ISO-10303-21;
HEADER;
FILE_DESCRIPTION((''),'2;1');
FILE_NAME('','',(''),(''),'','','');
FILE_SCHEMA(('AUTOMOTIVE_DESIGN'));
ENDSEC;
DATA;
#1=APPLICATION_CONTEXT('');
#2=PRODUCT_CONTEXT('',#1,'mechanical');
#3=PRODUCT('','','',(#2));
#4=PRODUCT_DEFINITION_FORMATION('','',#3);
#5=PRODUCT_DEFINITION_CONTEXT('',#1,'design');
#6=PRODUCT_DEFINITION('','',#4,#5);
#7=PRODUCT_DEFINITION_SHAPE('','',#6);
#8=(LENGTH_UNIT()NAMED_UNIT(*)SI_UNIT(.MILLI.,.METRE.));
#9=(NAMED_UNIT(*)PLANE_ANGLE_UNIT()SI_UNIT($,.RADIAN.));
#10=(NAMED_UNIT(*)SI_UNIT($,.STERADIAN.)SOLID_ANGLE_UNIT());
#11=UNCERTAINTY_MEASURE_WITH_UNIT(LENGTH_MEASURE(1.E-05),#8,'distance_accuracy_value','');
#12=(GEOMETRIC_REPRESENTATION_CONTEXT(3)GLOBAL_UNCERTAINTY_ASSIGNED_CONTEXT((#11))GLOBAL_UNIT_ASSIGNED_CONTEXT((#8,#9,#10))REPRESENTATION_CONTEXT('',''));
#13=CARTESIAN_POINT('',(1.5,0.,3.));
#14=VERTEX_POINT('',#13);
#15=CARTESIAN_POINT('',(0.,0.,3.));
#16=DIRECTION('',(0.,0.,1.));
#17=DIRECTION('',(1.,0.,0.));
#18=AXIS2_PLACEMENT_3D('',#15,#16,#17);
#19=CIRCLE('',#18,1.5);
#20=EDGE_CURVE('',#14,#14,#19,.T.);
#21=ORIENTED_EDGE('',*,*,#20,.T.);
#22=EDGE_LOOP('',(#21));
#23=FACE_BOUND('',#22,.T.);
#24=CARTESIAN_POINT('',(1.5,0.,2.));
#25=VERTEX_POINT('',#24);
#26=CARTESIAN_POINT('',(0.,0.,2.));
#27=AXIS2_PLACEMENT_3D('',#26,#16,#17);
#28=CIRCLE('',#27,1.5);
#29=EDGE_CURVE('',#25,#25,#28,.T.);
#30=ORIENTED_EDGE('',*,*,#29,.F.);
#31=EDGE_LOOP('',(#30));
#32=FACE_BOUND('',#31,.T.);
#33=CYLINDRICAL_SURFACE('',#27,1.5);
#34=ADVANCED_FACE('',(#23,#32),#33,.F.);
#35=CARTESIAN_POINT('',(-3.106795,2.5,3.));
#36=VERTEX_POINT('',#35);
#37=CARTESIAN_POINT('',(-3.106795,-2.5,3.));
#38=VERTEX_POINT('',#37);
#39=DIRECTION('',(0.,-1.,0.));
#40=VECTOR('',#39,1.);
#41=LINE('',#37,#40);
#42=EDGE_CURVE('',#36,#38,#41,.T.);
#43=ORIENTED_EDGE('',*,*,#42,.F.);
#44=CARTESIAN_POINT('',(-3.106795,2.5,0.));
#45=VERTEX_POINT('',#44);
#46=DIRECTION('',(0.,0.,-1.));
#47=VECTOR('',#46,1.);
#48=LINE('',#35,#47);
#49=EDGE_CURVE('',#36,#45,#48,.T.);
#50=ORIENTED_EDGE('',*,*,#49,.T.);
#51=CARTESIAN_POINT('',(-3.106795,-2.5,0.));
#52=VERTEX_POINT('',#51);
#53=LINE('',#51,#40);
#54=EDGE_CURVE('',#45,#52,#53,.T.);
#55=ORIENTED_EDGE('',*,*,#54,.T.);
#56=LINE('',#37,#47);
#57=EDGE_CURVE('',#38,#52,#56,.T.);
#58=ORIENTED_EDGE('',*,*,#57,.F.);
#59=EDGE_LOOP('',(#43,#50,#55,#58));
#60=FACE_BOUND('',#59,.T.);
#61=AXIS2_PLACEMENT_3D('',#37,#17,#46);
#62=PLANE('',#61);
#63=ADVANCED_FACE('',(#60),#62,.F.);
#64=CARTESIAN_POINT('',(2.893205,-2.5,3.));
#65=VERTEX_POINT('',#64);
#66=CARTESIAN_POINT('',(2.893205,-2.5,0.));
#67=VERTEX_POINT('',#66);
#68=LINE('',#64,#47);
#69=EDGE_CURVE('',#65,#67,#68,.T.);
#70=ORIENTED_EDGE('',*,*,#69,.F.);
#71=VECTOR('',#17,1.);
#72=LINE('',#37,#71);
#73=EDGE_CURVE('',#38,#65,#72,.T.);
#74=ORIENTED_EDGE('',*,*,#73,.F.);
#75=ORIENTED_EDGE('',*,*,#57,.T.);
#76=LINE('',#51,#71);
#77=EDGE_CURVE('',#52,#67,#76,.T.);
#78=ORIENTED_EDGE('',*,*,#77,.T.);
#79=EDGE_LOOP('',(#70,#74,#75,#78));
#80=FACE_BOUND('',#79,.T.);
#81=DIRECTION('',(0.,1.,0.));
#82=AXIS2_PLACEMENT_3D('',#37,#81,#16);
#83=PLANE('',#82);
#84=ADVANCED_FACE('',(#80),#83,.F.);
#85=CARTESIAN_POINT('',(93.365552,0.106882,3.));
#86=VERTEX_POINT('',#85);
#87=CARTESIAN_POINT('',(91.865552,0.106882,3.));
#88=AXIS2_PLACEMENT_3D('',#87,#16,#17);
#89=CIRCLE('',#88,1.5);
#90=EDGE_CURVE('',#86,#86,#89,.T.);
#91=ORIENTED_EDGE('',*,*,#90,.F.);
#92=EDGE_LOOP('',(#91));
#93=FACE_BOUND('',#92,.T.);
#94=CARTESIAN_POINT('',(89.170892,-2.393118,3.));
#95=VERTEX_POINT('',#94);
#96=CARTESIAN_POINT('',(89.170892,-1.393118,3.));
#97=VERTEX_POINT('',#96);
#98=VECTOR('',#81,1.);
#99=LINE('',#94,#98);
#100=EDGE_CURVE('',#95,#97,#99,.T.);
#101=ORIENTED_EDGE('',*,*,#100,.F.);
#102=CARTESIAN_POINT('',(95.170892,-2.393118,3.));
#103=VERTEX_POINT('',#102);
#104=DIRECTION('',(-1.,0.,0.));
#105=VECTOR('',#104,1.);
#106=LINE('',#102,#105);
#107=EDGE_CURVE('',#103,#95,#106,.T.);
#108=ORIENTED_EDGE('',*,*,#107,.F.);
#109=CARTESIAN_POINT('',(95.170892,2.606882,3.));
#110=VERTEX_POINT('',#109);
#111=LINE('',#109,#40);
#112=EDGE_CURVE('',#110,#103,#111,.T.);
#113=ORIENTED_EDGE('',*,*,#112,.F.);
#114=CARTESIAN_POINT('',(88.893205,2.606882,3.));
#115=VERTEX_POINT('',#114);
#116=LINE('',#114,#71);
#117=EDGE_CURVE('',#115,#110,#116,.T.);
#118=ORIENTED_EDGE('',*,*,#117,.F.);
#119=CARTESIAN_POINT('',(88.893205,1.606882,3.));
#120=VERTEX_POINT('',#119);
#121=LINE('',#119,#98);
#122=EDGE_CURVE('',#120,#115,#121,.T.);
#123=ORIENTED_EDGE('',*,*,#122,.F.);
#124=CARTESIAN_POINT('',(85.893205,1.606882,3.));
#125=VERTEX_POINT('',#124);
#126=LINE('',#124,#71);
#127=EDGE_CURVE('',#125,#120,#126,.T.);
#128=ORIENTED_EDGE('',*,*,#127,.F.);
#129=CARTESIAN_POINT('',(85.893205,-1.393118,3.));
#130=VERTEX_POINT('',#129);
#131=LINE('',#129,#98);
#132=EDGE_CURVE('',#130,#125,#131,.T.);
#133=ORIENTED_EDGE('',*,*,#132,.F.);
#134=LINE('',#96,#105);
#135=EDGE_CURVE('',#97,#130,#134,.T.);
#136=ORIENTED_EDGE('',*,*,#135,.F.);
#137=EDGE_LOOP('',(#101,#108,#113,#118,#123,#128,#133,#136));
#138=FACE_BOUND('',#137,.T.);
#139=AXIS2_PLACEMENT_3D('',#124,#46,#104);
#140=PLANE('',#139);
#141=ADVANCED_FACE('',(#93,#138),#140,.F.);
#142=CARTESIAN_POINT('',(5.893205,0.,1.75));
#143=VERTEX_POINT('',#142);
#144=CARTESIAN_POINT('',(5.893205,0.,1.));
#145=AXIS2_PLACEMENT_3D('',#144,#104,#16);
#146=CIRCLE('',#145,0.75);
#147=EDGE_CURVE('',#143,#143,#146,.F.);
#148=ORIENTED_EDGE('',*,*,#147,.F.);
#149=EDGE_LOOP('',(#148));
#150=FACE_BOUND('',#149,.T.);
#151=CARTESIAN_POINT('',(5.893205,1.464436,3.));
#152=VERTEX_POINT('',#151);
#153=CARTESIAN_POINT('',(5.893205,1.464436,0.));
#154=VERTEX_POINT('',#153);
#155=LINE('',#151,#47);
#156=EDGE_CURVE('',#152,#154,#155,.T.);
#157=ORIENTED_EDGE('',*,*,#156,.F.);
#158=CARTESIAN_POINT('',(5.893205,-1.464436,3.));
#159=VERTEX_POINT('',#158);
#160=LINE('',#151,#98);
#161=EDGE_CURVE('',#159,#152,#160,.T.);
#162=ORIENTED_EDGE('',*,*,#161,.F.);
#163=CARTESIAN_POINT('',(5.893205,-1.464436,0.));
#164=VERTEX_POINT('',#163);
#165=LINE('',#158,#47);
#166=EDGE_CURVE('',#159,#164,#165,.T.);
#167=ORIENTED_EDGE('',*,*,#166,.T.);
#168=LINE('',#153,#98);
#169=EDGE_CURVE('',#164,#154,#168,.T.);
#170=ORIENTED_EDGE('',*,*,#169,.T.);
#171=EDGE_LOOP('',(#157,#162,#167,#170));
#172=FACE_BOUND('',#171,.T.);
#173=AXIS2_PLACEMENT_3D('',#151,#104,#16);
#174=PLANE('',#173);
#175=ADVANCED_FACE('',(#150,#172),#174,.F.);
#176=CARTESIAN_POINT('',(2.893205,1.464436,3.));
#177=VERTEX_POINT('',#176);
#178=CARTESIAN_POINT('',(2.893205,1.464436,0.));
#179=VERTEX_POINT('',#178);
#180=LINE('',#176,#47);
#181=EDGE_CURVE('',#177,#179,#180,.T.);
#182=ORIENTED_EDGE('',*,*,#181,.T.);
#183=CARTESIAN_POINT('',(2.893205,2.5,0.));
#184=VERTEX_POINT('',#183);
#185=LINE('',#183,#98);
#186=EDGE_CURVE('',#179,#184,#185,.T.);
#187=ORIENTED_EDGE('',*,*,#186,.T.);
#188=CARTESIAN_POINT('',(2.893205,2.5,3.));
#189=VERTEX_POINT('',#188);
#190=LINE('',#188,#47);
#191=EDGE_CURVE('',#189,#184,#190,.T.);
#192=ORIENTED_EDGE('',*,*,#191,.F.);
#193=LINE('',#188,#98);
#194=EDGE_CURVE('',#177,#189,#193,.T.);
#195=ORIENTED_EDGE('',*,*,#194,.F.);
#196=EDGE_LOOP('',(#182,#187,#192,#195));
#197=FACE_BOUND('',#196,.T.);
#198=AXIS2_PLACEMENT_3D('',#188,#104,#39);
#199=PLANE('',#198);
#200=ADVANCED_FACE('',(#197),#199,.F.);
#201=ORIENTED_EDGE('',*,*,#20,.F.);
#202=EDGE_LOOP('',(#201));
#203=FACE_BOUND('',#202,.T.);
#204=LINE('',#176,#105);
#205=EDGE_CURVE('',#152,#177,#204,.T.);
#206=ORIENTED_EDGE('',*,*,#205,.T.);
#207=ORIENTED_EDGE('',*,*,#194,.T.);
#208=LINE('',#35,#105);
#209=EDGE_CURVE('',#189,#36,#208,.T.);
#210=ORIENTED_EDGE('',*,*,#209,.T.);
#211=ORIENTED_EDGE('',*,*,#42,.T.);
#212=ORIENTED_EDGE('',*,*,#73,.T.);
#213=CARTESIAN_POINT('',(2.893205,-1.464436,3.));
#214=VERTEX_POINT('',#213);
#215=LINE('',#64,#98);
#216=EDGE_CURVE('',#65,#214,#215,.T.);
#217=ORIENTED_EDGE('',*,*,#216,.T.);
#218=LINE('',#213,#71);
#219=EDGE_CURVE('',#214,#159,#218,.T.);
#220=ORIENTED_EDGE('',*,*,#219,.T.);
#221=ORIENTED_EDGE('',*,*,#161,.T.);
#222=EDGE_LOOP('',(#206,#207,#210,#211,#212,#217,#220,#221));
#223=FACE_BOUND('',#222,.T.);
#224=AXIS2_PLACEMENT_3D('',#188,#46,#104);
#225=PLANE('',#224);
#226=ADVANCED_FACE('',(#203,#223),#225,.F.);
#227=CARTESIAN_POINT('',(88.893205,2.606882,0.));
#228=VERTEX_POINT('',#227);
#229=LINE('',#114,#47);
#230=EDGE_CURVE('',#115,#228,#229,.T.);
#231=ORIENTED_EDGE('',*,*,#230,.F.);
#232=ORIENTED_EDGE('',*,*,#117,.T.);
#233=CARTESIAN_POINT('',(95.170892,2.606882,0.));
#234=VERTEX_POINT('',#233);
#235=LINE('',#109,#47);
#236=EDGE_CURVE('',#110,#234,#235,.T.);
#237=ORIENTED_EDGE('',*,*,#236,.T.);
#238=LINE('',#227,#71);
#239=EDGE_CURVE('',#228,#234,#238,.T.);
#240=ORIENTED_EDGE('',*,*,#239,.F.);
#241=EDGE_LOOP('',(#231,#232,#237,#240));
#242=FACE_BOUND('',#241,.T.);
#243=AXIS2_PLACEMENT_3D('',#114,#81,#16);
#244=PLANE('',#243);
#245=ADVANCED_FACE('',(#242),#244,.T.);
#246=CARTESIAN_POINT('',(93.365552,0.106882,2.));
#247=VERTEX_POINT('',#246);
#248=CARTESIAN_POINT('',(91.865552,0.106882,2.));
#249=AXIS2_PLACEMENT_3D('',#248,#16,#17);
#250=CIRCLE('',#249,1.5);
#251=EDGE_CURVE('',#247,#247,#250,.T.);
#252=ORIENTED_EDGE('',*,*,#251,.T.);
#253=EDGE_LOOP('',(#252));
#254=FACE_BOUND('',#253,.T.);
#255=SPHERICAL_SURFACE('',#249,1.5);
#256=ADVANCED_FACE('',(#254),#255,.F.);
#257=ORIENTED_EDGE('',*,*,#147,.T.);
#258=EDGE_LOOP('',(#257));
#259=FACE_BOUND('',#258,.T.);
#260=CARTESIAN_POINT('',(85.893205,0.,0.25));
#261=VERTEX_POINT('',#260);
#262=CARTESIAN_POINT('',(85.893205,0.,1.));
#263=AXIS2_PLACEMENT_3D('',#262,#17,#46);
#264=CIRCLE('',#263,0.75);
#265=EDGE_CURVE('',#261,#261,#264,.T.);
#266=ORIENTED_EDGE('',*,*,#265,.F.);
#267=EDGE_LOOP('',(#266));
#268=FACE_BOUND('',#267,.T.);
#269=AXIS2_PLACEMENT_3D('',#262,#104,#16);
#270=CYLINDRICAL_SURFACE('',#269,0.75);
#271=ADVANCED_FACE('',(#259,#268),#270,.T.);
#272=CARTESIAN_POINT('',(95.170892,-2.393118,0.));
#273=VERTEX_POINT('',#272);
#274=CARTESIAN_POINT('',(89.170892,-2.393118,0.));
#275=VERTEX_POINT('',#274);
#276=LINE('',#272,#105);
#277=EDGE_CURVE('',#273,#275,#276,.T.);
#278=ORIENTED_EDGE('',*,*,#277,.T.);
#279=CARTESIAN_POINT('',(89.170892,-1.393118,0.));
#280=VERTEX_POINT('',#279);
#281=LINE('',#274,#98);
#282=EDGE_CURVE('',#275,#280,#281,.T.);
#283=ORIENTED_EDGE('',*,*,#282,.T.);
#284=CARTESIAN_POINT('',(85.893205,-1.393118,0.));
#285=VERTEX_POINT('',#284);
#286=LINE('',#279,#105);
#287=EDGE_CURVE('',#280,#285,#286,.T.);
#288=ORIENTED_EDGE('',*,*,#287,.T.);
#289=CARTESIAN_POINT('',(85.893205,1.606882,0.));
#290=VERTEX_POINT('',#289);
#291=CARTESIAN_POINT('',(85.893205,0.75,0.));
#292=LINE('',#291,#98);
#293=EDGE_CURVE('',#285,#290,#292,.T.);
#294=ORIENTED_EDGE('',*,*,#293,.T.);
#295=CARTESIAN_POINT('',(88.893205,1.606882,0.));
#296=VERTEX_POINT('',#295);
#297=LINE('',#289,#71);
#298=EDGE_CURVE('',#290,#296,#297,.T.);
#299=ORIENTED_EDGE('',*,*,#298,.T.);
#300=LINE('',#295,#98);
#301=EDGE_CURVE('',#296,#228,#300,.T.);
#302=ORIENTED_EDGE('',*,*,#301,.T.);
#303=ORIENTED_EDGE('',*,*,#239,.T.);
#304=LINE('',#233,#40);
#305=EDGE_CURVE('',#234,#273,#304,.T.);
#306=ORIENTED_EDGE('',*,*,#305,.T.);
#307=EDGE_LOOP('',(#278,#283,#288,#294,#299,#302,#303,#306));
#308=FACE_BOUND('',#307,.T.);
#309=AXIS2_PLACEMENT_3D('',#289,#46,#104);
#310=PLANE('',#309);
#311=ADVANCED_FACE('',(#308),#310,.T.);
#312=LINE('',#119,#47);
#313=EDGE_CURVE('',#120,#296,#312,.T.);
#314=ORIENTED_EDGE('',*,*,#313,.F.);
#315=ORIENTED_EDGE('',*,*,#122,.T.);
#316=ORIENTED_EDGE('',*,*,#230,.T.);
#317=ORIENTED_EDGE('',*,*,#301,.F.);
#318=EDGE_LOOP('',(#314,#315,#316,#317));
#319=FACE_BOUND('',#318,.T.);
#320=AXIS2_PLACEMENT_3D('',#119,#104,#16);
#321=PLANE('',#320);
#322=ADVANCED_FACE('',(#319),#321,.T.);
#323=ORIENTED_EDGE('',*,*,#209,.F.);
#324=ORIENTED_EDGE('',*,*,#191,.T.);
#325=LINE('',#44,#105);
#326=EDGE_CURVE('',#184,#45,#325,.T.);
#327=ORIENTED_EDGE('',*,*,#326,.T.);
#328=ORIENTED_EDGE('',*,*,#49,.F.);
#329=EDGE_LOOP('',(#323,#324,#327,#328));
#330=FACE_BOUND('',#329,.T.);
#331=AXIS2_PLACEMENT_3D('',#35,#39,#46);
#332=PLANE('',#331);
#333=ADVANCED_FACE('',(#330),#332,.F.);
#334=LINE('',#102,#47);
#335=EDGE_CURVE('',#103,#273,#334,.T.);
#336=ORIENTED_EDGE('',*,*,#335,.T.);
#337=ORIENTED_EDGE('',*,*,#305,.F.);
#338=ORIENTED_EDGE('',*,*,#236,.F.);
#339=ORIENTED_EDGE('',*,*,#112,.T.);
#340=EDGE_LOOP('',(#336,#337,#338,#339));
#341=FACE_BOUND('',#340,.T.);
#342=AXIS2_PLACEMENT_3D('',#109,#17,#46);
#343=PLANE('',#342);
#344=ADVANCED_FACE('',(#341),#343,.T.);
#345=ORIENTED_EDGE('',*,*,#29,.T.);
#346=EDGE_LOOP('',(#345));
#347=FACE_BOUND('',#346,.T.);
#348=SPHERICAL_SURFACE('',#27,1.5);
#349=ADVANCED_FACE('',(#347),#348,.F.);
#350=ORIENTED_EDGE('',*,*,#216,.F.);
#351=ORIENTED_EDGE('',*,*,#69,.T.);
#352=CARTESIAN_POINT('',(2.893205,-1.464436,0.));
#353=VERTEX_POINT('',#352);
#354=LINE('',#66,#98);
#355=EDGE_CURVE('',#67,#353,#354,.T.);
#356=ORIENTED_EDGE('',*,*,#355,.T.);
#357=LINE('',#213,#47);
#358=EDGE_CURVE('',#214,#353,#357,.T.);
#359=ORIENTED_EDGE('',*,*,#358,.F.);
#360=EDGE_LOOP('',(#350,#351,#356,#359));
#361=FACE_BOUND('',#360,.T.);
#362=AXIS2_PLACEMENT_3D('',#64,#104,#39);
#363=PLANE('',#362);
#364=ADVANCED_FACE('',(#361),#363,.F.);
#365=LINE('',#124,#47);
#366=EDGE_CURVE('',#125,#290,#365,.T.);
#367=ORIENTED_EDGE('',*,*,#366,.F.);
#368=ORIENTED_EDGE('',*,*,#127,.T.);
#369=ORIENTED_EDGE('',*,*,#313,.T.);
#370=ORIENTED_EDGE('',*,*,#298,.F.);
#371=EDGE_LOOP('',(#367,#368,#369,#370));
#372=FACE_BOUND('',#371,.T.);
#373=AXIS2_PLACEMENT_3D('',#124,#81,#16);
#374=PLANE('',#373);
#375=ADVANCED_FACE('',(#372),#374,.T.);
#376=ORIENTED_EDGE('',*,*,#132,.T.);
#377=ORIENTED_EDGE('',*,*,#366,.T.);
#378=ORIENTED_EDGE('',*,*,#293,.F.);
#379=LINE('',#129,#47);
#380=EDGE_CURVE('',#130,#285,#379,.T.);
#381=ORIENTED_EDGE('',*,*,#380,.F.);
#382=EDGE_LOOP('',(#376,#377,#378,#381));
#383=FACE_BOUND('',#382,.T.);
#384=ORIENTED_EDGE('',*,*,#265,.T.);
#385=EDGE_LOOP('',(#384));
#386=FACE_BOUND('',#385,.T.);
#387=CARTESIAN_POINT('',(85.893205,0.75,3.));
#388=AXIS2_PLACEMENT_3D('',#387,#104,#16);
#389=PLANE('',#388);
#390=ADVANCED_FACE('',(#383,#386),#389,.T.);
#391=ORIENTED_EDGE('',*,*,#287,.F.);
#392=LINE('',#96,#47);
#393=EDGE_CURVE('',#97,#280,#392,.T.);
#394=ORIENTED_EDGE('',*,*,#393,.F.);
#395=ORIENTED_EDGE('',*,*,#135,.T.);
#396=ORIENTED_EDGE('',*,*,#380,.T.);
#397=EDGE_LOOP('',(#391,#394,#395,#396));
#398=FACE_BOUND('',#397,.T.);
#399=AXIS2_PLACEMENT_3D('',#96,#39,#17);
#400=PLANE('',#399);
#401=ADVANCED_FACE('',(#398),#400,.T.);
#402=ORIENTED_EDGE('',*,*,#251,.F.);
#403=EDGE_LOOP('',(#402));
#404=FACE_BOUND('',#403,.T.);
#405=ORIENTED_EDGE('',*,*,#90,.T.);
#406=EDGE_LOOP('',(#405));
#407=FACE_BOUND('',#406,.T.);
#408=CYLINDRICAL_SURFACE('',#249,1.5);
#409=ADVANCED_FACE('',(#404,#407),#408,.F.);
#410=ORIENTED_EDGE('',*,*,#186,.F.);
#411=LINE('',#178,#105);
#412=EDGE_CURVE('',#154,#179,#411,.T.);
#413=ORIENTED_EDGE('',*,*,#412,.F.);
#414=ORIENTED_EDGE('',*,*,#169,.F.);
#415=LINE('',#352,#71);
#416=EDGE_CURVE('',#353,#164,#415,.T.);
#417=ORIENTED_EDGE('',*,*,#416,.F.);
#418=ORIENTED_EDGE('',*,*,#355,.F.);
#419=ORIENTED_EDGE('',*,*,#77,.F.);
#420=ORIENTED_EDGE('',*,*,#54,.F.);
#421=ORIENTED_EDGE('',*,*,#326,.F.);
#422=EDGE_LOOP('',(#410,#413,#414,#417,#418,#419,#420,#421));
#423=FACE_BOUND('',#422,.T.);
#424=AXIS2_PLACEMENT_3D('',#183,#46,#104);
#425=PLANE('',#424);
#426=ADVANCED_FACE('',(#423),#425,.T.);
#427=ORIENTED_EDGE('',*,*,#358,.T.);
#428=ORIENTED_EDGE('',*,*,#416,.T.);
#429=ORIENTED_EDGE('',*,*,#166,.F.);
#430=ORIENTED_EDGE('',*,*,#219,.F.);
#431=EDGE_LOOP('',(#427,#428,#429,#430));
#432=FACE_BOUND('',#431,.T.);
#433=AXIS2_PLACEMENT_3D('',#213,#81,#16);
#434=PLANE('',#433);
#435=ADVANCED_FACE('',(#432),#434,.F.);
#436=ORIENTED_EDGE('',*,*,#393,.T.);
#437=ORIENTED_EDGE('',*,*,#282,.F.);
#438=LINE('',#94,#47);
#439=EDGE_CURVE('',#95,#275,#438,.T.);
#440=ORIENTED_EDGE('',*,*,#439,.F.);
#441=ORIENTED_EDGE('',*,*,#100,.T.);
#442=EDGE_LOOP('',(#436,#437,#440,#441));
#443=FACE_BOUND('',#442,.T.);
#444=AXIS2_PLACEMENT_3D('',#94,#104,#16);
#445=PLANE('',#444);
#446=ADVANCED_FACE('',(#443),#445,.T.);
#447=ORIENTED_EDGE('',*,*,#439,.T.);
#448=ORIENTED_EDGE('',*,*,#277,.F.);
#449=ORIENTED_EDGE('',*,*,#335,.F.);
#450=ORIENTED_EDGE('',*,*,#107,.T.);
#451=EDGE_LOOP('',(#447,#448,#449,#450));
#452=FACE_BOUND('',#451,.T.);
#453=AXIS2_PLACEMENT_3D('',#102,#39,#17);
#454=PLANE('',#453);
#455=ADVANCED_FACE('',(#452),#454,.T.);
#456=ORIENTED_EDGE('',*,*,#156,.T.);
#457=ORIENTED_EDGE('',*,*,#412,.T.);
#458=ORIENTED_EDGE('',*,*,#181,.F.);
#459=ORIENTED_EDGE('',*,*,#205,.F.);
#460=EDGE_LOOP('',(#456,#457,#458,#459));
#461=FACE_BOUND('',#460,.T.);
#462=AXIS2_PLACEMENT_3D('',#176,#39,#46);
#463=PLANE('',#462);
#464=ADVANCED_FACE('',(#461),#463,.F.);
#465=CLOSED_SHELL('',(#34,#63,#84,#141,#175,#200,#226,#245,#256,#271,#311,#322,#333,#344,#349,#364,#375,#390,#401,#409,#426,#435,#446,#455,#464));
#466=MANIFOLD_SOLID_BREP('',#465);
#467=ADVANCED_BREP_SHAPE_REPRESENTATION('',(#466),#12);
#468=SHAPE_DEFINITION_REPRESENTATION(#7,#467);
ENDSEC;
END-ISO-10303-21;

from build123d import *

# Parameters (mm, degrees)
BOSS_EXTRUDE1_DEPTH = 3
SKETCH2_R           = 1.5
CUT_EXTRUDE1_DEPTH  = 1
SKETCH3_R           = 0.75
BOSS_EXTRUDE2_DEPTH = 80
BOSS_EXTRUDE3_DEPTH = 3
SKETCH7_R           = 1.5
CUT_EXTRUDE2_DEPTH  = 1


with BuildPart() as part:
    # Sketch1 → Boss-Extrude1 (new body)
    with BuildSketch(Plane.XY):
        Polygon((-3.106795218, -2.5), (-3.106795218, 2.5), (2.893204782, 2.5), (2.893204782, 1.464436404), (5.893204782, 1.464436404), (5.893204782, -1.464436404), (2.893204782, -1.464436404), (2.893204782, -2.5), align=None)
    extrude(amount=BOSS_EXTRUDE1_DEPTH)

    # Sketch2 → Cut-Extrude1 (cut)
    with BuildSketch(Plane.XY.offset(3)):
        Circle(SKETCH2_R)
    extrude(amount=-CUT_EXTRUDE1_DEPTH, mode=Mode.SUBTRACT)

    # Sketch3 → Boss-Extrude2 (add)
    with BuildSketch(Plane(origin=(5.893204782, 0, 0), x_dir=(0, 0, -1), z_dir=(1, 0, 0))):
        with Locations(Location((-1, 0, 0), (0, 0, 180))):
            Circle(SKETCH3_R)
    extrude(amount=BOSS_EXTRUDE2_DEPTH)

    # Sketch4 → Boss-Extrude3 (add)
    with BuildSketch(Plane.XY):
        Polygon((85.893204782, 0.75), (85.893204782, 1.606881618), (88.893204782, 1.606881618), (88.893204782, 2.606881618), (95.170891527, 2.606881618), (95.170891527, -2.393118382), (89.170891527, -2.393118382), (89.170891527, -1.393118382), (85.893204782, -1.393118382), (85.893204782, -0.75), align=None)
    extrude(amount=BOSS_EXTRUDE3_DEPTH)

    # Sketch7 → Cut-Extrude2 (cut)
    with BuildSketch(Plane.XY.offset(3)):
        with Locations((91.865552177, 0.106881618)):
            Circle(SKETCH7_R)
    extrude(amount=-CUT_EXTRUDE2_DEPTH, mode=Mode.SUBTRACT)

    # Sketch8 → Cut-Revolve1 (revolve, cut)
    with BuildSketch(Plane.XY.offset(2)):
        with BuildLine():
            Line((91.865552177, 1.606881618), (91.865552177, -1.393118382))
            ThreePointArc((91.865552177, -1.393118382), (93.365552177, 0.106881618), (91.865552177, 1.606881618))
        make_face()
    revolve(axis=Axis((91.865552177, -999.893118382, 2), (0, 1, 0)), mode=Mode.SUBTRACT)

    # Sketch9 → Cut-Revolve2 (revolve, cut)
    with BuildSketch(Plane.XY.offset(2)):
        with BuildLine():
            Line((0, 1.5), (0, -1.5))
            ThreePointArc((0, -1.5), (1.5, 0), (0, 1.5))
        make_face()
    revolve(axis=Axis((0, -1000, 2), (0, 1, 0)), mode=Mode.SUBTRACT)


solid = part.part
